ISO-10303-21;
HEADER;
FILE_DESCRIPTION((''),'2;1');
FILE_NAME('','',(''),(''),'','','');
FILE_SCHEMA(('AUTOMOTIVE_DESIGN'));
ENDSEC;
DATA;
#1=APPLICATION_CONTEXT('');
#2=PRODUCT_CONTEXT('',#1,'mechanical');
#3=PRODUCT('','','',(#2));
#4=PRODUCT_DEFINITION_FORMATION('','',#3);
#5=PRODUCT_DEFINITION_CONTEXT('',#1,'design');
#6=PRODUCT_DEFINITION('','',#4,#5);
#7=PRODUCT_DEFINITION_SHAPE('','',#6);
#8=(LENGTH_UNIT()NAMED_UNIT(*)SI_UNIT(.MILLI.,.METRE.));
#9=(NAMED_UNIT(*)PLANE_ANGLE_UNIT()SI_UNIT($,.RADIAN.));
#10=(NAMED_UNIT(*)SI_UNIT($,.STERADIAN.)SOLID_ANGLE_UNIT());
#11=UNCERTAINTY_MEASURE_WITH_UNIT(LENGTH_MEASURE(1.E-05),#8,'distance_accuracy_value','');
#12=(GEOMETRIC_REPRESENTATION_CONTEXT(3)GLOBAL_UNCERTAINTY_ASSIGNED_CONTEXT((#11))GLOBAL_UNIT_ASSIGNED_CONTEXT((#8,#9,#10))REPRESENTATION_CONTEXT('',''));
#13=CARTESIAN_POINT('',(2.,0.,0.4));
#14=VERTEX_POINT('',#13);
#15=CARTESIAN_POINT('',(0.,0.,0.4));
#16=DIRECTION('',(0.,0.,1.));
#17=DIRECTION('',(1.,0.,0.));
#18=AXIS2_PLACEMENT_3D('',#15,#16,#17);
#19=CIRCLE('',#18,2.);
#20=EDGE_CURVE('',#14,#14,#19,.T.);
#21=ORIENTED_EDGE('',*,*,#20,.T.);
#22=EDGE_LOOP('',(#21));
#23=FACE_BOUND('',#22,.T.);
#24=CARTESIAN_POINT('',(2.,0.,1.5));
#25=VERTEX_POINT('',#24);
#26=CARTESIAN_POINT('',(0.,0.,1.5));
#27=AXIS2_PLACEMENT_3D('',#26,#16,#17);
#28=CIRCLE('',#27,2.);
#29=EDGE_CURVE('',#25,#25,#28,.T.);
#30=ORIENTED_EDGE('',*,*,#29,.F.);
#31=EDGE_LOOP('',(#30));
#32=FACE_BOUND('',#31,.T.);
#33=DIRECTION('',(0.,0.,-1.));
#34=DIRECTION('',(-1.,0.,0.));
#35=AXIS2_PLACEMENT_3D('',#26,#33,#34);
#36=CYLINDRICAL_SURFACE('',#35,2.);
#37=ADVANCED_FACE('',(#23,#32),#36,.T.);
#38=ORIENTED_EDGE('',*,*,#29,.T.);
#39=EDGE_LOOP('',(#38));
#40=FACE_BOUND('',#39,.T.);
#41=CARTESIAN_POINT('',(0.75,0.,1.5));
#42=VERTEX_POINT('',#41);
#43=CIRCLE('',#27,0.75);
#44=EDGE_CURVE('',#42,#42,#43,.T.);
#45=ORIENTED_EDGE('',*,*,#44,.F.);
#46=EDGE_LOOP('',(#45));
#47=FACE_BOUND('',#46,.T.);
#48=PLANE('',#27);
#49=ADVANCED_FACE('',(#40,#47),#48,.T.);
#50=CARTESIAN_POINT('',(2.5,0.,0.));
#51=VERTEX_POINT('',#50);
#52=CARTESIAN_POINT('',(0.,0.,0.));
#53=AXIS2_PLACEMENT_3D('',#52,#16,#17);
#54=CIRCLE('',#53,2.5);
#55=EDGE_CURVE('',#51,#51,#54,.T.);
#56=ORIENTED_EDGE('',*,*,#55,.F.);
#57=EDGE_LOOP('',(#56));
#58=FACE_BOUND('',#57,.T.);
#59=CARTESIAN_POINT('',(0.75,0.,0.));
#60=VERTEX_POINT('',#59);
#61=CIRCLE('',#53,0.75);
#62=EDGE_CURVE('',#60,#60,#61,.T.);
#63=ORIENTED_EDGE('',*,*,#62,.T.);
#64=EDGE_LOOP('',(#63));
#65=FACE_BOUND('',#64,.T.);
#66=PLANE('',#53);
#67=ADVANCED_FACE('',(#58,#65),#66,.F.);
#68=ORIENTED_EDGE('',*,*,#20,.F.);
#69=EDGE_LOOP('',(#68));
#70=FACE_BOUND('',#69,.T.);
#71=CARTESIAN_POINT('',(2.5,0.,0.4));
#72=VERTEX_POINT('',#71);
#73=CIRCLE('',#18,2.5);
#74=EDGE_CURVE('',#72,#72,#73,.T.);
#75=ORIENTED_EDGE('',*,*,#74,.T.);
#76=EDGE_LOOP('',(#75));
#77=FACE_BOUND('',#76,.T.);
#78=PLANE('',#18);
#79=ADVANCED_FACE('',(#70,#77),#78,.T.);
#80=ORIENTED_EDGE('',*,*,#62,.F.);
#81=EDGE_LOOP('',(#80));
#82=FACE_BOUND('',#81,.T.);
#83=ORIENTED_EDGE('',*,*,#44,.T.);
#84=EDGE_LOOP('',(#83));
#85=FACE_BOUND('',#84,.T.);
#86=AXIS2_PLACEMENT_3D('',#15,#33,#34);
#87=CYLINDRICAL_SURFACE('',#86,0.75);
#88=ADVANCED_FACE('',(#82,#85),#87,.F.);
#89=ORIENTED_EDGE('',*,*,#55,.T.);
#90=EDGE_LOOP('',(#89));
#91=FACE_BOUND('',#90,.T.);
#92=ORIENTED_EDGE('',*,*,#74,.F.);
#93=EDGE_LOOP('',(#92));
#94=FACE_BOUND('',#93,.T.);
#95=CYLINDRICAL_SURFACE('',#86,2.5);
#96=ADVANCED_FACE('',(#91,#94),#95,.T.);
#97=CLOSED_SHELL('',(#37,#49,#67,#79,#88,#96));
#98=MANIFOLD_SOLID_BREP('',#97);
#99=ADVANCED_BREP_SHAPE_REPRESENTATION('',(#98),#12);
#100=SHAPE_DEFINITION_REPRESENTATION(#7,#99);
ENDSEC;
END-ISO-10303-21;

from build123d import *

# Parameters (mm, degrees)
SKETCH1_R           = 2.5
SKETCH1_R_2         = 0.75
BOSS_EXTRUDE1_DEPTH = 0.4
SKETCH2_R           = 2
SKETCH2_R_2         = 0.75
BOSS_EXTRUDE2_DEPTH = 1.1


with BuildPart() as part:
    # Sketch1 → Boss-Extrude1 (new body)
    with BuildSketch(Plane.XY):
        Circle(SKETCH1_R)
        Circle(SKETCH1_R_2, mode=Mode.SUBTRACT)
    extrude(amount=BOSS_EXTRUDE1_DEPTH)

    # Sketch2 → Boss-Extrude2 (add)
    with BuildSketch(Plane.XY.offset(0.4)):
        Circle(SKETCH2_R)
        Circle(SKETCH2_R_2, mode=Mode.SUBTRACT)
    extrude(amount=BOSS_EXTRUDE2_DEPTH)


solid = part.part
